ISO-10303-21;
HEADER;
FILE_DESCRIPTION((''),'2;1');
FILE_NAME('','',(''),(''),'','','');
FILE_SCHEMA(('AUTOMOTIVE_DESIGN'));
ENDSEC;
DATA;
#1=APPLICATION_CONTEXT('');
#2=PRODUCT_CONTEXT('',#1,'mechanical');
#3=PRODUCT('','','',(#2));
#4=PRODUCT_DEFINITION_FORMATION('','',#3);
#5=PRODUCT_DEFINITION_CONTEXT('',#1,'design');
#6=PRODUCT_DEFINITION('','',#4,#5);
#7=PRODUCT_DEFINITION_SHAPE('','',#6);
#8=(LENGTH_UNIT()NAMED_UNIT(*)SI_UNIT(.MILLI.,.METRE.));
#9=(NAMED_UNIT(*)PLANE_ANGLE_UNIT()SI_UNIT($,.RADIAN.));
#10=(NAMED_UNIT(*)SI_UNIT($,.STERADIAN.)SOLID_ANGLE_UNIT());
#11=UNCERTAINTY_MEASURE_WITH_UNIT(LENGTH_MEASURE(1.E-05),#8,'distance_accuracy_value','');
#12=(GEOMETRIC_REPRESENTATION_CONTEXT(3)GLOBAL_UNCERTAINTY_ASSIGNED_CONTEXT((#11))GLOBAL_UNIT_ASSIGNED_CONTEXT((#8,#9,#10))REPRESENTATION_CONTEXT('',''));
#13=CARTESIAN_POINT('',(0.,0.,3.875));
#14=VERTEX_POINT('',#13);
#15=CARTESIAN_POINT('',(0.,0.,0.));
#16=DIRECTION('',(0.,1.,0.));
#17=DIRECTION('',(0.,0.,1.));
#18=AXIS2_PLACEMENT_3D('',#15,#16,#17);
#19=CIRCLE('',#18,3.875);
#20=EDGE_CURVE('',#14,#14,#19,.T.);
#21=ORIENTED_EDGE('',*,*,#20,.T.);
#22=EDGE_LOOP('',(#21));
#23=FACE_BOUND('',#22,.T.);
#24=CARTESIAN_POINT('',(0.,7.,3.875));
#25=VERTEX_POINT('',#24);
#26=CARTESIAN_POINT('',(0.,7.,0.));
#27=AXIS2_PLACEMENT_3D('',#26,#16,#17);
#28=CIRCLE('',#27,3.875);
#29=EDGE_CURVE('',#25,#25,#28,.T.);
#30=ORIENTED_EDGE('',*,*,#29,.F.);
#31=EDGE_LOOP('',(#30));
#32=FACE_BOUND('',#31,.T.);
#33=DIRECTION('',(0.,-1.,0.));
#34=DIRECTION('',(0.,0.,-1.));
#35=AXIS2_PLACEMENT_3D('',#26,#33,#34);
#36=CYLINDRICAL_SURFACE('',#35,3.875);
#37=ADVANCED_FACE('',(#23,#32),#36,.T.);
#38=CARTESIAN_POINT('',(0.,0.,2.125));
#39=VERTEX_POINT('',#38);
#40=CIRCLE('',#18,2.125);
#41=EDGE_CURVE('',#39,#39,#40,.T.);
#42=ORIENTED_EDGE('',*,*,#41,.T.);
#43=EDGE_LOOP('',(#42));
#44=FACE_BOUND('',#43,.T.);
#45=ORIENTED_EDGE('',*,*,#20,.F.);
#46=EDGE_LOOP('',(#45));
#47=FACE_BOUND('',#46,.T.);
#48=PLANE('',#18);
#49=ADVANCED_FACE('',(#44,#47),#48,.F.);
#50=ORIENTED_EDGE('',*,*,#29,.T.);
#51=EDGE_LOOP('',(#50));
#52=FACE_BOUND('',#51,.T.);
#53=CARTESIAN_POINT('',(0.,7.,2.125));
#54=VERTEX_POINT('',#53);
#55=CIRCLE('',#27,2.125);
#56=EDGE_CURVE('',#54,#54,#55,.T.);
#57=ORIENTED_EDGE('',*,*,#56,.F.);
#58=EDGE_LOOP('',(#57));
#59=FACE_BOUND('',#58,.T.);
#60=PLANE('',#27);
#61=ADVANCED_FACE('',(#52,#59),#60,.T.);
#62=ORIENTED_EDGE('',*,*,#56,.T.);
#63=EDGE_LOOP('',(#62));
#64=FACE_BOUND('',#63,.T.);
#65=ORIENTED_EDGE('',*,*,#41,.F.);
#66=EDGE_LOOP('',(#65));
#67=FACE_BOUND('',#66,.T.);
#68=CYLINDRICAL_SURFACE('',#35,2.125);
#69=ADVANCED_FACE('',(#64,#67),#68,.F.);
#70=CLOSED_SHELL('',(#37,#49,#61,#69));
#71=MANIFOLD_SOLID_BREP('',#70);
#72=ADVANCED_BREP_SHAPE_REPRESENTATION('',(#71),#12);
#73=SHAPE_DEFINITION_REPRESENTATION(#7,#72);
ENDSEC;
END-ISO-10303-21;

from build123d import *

# Parameters (mm, degrees)
SKETCH1_R           = 3.875
SKETCH1_R_2         = 2.125
BOSS_EXTRUDE1_DEPTH = 7


with BuildPart() as part:
    # Sketch1 → Boss-Extrude1 (new body)
    with BuildSketch(Plane(origin=(0, 0, 0), x_dir=(1, 0, 0), z_dir=(0, 1, 0))):
        with Locations(Location((0, 0, 0), (0, 0, 270))):
            Circle(SKETCH1_R)
        with Locations(Location((0, 0, 0), (0, 0, 270))):
            Circle(SKETCH1_R_2, mode=Mode.SUBTRACT)
    extrude(amount=BOSS_EXTRUDE1_DEPTH)


solid = part.part
